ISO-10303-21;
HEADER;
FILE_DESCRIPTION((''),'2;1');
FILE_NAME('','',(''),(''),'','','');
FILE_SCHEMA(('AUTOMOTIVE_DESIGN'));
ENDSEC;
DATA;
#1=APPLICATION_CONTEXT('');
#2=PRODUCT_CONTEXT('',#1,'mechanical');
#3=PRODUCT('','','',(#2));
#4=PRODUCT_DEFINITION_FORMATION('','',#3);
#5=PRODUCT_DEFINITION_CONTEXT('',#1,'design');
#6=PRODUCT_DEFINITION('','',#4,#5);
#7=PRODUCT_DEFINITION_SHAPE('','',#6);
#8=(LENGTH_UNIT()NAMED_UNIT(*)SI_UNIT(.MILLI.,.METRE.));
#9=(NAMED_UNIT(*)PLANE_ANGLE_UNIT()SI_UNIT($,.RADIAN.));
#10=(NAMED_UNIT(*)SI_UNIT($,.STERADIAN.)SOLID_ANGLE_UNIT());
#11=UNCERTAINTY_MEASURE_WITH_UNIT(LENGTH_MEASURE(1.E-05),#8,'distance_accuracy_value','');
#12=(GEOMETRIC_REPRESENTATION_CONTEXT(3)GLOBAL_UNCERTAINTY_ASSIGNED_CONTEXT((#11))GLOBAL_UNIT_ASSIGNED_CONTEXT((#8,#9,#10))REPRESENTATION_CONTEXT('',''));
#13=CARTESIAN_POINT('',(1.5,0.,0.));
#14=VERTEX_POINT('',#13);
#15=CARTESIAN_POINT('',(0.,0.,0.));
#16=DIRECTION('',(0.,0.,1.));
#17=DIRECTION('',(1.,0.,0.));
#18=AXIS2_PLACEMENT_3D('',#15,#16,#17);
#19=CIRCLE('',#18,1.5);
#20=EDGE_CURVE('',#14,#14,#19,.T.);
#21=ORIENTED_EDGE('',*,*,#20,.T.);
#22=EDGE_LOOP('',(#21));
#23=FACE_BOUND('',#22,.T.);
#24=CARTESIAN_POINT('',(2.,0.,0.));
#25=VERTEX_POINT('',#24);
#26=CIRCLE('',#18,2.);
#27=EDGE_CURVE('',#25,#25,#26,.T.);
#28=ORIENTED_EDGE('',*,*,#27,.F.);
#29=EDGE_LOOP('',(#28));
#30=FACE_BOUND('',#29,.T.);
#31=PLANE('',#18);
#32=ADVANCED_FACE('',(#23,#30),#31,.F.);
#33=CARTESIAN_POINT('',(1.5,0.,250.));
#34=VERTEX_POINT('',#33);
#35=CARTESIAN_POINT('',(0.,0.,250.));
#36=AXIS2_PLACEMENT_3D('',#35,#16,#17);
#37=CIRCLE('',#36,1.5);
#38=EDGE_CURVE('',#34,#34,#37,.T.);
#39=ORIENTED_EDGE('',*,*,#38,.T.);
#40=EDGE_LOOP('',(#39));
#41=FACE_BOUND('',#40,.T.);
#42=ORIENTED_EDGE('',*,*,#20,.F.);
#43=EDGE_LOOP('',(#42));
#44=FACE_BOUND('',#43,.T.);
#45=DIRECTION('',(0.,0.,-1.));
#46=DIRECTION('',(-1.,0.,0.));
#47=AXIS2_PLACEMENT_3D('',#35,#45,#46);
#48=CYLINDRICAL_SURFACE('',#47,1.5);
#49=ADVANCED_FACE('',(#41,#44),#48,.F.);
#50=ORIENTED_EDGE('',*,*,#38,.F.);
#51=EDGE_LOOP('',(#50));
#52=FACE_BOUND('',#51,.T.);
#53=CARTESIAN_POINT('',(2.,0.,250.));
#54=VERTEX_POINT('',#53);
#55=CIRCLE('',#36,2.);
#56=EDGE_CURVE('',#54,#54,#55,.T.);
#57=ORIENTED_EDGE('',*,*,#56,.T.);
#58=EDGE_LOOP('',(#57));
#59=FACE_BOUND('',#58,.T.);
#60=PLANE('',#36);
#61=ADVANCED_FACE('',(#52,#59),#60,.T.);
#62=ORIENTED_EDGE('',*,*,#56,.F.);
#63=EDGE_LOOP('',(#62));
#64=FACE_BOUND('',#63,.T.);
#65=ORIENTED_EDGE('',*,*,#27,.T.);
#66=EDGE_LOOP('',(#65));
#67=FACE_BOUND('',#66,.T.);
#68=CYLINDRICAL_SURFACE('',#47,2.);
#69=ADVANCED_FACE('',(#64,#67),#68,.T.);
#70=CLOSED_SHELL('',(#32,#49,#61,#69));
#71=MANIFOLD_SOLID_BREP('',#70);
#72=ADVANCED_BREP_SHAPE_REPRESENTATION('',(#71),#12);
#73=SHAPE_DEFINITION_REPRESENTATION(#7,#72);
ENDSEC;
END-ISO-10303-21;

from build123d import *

# Parameters (mm, degrees)
SKETCH1_R           = 2
SKETCH1_R_2         = 1.5
BOSS_EXTRUDE1_DEPTH = 250


with BuildPart() as part:
    # Sketch1 → Boss-Extrude1 (new body)
    with BuildSketch(Plane.XY):
        Circle(SKETCH1_R)
        Circle(SKETCH1_R_2, mode=Mode.SUBTRACT)
    extrude(amount=BOSS_EXTRUDE1_DEPTH)


solid = part.part
